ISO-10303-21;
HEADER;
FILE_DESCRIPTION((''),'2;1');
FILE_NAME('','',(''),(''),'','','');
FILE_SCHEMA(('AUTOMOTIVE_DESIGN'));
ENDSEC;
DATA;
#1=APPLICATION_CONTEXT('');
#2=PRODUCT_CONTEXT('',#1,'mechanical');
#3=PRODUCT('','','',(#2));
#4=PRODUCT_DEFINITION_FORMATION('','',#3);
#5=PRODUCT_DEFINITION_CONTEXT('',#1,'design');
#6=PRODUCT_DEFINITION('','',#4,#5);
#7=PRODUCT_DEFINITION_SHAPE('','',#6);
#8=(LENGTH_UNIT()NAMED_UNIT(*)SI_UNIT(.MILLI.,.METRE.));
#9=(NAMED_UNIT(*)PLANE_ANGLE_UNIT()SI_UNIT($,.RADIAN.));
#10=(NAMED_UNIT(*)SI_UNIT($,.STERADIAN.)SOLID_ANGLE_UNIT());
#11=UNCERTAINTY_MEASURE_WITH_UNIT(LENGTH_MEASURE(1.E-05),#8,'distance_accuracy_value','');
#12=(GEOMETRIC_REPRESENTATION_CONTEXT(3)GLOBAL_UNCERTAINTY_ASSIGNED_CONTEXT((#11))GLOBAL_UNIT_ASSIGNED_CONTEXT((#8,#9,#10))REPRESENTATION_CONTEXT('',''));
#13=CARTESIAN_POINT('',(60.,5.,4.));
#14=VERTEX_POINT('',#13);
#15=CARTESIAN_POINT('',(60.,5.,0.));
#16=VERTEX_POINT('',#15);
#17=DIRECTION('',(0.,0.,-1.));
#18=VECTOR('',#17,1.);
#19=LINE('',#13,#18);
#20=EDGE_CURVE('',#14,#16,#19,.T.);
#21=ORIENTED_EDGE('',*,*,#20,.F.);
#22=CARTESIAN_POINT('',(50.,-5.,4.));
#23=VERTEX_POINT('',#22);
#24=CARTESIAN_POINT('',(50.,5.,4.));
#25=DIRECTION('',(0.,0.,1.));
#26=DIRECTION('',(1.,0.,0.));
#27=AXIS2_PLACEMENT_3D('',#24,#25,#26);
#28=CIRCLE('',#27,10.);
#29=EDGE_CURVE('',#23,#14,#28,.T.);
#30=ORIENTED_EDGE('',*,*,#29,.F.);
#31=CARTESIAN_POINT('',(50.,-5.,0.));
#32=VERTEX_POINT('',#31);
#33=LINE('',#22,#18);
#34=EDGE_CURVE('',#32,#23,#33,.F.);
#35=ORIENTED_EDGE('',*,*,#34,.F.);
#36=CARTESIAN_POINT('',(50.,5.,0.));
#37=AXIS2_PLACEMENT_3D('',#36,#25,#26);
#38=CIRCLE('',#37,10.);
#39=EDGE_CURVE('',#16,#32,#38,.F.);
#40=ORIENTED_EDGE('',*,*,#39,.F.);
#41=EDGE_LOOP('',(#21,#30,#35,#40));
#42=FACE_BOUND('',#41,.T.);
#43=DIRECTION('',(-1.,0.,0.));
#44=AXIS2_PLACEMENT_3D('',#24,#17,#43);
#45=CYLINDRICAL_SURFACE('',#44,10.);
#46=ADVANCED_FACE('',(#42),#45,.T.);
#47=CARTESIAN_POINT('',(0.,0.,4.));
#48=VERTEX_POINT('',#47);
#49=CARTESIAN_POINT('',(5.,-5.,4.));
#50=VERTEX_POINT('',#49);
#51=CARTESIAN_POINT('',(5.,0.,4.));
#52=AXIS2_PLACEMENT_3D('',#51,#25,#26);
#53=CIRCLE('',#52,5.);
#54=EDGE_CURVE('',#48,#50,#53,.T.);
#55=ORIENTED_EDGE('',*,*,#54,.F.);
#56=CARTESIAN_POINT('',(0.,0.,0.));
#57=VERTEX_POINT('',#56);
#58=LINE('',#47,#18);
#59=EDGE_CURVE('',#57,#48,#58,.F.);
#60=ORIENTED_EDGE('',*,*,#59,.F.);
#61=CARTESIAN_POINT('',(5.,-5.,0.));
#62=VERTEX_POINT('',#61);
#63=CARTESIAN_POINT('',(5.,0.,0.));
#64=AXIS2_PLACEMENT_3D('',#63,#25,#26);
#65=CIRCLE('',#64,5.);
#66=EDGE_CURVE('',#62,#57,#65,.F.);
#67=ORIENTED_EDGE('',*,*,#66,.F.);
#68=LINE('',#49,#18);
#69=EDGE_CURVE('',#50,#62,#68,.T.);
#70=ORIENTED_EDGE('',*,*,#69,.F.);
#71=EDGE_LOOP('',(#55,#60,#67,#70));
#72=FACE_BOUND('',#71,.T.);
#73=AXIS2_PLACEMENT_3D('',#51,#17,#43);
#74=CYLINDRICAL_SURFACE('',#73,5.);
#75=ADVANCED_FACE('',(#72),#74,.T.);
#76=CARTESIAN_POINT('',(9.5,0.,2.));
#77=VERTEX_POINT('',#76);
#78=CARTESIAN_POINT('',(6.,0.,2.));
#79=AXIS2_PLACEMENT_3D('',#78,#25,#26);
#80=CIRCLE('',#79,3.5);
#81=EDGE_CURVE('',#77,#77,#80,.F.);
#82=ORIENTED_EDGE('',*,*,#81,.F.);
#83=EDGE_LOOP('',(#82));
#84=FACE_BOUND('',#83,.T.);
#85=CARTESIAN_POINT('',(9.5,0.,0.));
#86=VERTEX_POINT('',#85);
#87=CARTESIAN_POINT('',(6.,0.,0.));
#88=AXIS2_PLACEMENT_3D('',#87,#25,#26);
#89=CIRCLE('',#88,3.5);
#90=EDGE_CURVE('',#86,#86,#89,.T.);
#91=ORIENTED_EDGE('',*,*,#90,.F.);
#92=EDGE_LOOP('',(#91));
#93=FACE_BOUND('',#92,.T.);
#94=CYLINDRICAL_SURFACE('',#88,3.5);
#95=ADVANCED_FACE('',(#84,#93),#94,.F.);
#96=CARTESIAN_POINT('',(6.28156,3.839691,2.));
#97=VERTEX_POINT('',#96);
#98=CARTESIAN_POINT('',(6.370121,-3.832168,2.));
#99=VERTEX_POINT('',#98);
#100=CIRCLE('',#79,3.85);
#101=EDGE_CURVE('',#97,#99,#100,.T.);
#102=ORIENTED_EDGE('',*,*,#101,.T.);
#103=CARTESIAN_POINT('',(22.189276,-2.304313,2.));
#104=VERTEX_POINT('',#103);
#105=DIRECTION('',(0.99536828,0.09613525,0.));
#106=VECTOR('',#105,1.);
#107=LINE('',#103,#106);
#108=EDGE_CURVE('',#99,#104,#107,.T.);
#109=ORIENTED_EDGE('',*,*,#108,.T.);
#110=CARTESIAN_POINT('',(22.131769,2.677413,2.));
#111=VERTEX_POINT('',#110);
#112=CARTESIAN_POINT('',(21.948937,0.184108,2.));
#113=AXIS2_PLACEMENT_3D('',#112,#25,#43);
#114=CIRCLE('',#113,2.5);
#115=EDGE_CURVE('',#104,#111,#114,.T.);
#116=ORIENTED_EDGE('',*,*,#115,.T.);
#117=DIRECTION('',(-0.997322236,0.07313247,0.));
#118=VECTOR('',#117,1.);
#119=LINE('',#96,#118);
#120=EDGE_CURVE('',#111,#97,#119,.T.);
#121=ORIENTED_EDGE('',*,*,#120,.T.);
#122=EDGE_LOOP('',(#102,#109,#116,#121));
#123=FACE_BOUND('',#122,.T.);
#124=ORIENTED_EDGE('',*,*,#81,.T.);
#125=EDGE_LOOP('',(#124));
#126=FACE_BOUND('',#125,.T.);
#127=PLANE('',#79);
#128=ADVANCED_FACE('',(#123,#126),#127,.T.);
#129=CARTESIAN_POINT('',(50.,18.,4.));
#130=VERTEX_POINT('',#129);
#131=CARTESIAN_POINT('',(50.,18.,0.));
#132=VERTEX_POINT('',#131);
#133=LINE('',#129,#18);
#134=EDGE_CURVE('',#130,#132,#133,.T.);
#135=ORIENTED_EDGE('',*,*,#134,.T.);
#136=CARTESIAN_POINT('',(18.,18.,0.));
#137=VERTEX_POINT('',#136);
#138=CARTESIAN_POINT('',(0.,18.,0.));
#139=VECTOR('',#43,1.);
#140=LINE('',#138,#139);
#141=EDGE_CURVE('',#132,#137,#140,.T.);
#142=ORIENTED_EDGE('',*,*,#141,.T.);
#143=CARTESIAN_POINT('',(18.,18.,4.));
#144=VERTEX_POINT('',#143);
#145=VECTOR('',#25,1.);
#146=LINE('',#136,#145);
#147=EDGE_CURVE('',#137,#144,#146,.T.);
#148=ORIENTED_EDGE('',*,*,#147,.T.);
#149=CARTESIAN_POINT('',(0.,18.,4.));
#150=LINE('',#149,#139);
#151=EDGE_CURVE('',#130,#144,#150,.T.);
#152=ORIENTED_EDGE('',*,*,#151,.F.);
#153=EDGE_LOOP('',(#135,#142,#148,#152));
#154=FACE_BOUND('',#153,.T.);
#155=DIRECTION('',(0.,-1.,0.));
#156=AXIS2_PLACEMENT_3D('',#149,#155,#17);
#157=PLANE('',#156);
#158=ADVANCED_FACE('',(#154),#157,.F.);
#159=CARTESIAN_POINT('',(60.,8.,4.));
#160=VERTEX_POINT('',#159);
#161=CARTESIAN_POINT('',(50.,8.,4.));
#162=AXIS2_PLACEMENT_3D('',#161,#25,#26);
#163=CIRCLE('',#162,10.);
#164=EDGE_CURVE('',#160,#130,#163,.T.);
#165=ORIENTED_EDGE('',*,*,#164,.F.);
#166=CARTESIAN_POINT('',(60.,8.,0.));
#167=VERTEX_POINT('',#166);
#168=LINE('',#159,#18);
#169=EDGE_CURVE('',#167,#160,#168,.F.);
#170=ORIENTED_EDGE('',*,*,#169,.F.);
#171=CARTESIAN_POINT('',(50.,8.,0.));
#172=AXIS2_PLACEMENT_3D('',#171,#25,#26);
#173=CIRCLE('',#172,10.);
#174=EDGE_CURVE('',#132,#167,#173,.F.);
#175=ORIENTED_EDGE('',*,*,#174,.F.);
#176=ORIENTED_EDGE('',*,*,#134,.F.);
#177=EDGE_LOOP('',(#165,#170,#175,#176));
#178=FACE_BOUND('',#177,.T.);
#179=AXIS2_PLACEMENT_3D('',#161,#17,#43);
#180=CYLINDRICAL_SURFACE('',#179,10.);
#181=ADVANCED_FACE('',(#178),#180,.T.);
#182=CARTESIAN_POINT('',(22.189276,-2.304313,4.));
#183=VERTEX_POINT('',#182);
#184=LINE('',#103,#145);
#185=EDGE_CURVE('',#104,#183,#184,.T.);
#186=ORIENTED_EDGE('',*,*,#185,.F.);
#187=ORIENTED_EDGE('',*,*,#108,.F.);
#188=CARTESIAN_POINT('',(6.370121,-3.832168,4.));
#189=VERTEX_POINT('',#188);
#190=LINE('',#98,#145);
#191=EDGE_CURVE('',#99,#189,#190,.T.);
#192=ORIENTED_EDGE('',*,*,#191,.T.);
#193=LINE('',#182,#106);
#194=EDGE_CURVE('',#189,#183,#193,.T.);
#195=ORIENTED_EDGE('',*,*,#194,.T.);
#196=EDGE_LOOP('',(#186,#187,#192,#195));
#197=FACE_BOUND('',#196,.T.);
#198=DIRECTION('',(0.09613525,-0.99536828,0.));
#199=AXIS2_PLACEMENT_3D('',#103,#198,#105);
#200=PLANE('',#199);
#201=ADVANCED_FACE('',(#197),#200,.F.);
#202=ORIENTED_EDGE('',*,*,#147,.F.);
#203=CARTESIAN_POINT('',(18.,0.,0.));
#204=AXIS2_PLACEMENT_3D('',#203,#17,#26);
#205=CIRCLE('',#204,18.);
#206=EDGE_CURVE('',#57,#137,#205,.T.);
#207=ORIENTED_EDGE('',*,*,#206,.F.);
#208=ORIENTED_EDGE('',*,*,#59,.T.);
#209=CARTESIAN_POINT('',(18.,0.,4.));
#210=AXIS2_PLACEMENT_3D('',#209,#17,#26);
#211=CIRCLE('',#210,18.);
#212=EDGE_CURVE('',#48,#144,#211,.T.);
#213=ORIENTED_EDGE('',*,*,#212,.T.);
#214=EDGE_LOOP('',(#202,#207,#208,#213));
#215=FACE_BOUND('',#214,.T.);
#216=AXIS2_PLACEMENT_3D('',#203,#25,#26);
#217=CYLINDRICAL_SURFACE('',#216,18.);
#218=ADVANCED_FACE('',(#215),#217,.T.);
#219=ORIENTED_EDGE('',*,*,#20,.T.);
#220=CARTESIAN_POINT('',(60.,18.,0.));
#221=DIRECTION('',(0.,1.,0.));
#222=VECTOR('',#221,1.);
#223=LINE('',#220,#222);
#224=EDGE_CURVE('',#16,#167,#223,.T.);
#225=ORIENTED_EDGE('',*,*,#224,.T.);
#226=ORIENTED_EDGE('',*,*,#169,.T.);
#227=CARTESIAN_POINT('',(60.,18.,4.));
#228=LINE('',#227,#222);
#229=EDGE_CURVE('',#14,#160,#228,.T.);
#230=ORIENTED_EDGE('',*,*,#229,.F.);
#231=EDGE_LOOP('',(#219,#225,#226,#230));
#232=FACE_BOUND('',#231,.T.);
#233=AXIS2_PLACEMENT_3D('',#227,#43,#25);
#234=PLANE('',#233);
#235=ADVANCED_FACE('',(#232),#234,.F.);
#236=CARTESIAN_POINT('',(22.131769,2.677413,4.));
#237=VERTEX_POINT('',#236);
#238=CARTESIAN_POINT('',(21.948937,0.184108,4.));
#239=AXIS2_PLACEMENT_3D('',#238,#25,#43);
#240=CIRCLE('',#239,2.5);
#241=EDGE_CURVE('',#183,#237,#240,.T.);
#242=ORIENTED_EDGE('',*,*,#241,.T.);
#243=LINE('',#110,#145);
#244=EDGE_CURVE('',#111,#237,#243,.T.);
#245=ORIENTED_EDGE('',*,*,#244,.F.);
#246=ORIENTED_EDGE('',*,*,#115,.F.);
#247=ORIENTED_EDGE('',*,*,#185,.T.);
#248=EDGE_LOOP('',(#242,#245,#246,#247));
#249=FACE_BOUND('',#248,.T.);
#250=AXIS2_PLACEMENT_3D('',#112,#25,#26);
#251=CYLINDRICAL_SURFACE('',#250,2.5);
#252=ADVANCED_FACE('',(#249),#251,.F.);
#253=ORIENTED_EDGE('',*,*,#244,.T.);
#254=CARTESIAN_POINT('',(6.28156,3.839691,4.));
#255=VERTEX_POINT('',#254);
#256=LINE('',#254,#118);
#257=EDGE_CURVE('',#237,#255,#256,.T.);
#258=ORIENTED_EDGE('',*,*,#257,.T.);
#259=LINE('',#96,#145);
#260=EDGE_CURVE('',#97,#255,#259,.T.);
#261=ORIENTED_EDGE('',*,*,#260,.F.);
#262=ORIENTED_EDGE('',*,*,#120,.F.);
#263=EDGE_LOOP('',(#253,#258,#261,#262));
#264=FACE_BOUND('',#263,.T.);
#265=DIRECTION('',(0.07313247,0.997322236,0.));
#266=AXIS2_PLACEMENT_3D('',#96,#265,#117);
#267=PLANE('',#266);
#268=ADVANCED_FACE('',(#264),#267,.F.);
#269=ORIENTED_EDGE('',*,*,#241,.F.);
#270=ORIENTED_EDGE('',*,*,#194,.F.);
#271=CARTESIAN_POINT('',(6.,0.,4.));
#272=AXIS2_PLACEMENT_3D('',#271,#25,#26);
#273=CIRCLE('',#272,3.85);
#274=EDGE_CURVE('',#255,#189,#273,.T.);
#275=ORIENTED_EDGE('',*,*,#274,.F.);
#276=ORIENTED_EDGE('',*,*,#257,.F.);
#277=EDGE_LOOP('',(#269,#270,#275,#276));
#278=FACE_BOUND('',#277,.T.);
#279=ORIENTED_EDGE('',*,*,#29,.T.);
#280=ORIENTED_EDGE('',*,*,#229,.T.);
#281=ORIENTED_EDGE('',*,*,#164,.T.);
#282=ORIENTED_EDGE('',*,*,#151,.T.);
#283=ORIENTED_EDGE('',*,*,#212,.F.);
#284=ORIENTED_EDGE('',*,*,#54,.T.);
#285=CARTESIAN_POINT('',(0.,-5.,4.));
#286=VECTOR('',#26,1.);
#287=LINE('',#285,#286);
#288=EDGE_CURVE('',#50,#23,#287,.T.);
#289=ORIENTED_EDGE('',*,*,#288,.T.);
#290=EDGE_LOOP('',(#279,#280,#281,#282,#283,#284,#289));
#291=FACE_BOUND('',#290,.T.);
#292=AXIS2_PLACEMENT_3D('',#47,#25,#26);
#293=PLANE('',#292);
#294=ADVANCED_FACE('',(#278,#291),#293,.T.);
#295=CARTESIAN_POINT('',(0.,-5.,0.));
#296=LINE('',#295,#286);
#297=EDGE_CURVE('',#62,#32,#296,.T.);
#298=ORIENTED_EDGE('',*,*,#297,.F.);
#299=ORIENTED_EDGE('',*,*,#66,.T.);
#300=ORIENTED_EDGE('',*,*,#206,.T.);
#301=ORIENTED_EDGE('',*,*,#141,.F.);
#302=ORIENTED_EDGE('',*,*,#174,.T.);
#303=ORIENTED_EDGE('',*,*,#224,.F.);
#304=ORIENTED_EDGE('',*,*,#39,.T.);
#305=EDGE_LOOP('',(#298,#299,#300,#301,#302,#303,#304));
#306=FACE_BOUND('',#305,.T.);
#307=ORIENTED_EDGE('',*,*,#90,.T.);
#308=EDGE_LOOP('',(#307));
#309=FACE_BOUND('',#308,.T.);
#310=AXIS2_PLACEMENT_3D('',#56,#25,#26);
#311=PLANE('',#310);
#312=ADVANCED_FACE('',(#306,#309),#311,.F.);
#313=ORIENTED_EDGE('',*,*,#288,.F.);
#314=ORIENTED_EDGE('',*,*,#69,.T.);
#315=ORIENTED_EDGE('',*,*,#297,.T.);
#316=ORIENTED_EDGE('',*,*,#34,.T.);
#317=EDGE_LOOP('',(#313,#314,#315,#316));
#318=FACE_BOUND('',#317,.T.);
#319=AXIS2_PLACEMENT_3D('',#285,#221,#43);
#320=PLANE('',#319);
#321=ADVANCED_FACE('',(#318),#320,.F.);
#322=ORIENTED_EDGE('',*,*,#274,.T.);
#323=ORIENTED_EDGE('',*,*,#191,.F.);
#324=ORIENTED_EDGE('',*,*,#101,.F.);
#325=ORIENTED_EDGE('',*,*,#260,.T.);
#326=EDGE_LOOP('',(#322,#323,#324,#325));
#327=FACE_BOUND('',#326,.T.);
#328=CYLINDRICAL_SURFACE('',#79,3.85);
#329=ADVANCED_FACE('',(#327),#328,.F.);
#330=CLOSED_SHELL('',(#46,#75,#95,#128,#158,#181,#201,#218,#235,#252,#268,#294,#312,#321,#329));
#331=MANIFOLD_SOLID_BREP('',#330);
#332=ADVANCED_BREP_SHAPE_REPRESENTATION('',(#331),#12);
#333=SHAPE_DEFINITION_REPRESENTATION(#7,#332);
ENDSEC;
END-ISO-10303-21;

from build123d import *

# Parameters (mm, degrees)
SKIZZE6_W                       = 60
SKIZZE6_H                       = 23
AUFSATZ_LINEAR_AUSTRAGEN1_DEPTH = 4
SKIZZE7_R                       = 3.5
SCHNITT_LINEAR_AUSTRAGEN1_DEPTH = 5
VERRUNDUNG1_R                   = 10
SCHNITT_LINEAR_AUSTRAGEN2_DEPTH = 2
VERRUNDUNG2_R                   = 5
SCHNITT_LINEAR_AUSTRAGEN3_DEPTH = 5


with BuildPart() as part:
    # Skizze6 → Aufsatz-Linear austragen1 (new body)
    with BuildSketch(Plane.XY):
        with Locations((30, 6.5)):
            Rectangle(SKIZZE6_W, SKIZZE6_H)
    extrude(amount=AUFSATZ_LINEAR_AUSTRAGEN1_DEPTH)

    # Skizze7 → Schnitt-Linear austragen1 (cut, through all)
    with BuildSketch(Plane.XY.offset(4)):
        with Locations((6, 0)):
            Circle(SKIZZE7_R)
    extrude(amount=-SCHNITT_LINEAR_AUSTRAGEN1_DEPTH, mode=Mode.SUBTRACT)

    # Verrundung1
    verrundung1_edges = [part.edges().sort_by_distance(p)[0] for p in [
        (0, 18, 2),
        (60, 18, 2),
        (60, -5, 2),
    ]]
    fillet(verrundung1_edges, radius=VERRUNDUNG1_R)

    # Skizze9 → Schnitt-Linear austragen2 (cut)
    with BuildSketch(Plane.XY.offset(4)):
        with BuildLine():
            Line((6.281560008, 3.839690608), (22.131768578, 2.677413406))
            ThreePointArc((22.131768578, 2.677413406), (24.448770853, 0.212964842), (22.189275528, -2.304312884))
            Line((22.189275528, -2.304312884), (6.370120712, -3.83216788))
            ThreePointArc((6.370120712, -3.83216788), (2.150256489, -0.044439818), (6.281560008, 3.839690608))
        make_face()
    extrude(amount=-SCHNITT_LINEAR_AUSTRAGEN2_DEPTH, mode=Mode.SUBTRACT)

    # Verrundung2
    verrundung2_edges = [part.edges().sort_by_distance(p)[0] for p in [
        (0, -5, 2),
    ]]
    fillet(verrundung2_edges, radius=VERRUNDUNG2_R)

    # Skizze10 → Schnitt-Linear austragen3 (cut, through all)
    with BuildSketch(Plane.XY.offset(4)):
        with BuildLine():
            Line((18, 18), (0, 18))
            Line((0, 18), (0, 0))
            ThreePointArc((0, 0), (5.272077939, 12.727922061), (18, 18))
        make_face()
    extrude(amount=-SCHNITT_LINEAR_AUSTRAGEN3_DEPTH, mode=Mode.SUBTRACT)


solid = part.part
